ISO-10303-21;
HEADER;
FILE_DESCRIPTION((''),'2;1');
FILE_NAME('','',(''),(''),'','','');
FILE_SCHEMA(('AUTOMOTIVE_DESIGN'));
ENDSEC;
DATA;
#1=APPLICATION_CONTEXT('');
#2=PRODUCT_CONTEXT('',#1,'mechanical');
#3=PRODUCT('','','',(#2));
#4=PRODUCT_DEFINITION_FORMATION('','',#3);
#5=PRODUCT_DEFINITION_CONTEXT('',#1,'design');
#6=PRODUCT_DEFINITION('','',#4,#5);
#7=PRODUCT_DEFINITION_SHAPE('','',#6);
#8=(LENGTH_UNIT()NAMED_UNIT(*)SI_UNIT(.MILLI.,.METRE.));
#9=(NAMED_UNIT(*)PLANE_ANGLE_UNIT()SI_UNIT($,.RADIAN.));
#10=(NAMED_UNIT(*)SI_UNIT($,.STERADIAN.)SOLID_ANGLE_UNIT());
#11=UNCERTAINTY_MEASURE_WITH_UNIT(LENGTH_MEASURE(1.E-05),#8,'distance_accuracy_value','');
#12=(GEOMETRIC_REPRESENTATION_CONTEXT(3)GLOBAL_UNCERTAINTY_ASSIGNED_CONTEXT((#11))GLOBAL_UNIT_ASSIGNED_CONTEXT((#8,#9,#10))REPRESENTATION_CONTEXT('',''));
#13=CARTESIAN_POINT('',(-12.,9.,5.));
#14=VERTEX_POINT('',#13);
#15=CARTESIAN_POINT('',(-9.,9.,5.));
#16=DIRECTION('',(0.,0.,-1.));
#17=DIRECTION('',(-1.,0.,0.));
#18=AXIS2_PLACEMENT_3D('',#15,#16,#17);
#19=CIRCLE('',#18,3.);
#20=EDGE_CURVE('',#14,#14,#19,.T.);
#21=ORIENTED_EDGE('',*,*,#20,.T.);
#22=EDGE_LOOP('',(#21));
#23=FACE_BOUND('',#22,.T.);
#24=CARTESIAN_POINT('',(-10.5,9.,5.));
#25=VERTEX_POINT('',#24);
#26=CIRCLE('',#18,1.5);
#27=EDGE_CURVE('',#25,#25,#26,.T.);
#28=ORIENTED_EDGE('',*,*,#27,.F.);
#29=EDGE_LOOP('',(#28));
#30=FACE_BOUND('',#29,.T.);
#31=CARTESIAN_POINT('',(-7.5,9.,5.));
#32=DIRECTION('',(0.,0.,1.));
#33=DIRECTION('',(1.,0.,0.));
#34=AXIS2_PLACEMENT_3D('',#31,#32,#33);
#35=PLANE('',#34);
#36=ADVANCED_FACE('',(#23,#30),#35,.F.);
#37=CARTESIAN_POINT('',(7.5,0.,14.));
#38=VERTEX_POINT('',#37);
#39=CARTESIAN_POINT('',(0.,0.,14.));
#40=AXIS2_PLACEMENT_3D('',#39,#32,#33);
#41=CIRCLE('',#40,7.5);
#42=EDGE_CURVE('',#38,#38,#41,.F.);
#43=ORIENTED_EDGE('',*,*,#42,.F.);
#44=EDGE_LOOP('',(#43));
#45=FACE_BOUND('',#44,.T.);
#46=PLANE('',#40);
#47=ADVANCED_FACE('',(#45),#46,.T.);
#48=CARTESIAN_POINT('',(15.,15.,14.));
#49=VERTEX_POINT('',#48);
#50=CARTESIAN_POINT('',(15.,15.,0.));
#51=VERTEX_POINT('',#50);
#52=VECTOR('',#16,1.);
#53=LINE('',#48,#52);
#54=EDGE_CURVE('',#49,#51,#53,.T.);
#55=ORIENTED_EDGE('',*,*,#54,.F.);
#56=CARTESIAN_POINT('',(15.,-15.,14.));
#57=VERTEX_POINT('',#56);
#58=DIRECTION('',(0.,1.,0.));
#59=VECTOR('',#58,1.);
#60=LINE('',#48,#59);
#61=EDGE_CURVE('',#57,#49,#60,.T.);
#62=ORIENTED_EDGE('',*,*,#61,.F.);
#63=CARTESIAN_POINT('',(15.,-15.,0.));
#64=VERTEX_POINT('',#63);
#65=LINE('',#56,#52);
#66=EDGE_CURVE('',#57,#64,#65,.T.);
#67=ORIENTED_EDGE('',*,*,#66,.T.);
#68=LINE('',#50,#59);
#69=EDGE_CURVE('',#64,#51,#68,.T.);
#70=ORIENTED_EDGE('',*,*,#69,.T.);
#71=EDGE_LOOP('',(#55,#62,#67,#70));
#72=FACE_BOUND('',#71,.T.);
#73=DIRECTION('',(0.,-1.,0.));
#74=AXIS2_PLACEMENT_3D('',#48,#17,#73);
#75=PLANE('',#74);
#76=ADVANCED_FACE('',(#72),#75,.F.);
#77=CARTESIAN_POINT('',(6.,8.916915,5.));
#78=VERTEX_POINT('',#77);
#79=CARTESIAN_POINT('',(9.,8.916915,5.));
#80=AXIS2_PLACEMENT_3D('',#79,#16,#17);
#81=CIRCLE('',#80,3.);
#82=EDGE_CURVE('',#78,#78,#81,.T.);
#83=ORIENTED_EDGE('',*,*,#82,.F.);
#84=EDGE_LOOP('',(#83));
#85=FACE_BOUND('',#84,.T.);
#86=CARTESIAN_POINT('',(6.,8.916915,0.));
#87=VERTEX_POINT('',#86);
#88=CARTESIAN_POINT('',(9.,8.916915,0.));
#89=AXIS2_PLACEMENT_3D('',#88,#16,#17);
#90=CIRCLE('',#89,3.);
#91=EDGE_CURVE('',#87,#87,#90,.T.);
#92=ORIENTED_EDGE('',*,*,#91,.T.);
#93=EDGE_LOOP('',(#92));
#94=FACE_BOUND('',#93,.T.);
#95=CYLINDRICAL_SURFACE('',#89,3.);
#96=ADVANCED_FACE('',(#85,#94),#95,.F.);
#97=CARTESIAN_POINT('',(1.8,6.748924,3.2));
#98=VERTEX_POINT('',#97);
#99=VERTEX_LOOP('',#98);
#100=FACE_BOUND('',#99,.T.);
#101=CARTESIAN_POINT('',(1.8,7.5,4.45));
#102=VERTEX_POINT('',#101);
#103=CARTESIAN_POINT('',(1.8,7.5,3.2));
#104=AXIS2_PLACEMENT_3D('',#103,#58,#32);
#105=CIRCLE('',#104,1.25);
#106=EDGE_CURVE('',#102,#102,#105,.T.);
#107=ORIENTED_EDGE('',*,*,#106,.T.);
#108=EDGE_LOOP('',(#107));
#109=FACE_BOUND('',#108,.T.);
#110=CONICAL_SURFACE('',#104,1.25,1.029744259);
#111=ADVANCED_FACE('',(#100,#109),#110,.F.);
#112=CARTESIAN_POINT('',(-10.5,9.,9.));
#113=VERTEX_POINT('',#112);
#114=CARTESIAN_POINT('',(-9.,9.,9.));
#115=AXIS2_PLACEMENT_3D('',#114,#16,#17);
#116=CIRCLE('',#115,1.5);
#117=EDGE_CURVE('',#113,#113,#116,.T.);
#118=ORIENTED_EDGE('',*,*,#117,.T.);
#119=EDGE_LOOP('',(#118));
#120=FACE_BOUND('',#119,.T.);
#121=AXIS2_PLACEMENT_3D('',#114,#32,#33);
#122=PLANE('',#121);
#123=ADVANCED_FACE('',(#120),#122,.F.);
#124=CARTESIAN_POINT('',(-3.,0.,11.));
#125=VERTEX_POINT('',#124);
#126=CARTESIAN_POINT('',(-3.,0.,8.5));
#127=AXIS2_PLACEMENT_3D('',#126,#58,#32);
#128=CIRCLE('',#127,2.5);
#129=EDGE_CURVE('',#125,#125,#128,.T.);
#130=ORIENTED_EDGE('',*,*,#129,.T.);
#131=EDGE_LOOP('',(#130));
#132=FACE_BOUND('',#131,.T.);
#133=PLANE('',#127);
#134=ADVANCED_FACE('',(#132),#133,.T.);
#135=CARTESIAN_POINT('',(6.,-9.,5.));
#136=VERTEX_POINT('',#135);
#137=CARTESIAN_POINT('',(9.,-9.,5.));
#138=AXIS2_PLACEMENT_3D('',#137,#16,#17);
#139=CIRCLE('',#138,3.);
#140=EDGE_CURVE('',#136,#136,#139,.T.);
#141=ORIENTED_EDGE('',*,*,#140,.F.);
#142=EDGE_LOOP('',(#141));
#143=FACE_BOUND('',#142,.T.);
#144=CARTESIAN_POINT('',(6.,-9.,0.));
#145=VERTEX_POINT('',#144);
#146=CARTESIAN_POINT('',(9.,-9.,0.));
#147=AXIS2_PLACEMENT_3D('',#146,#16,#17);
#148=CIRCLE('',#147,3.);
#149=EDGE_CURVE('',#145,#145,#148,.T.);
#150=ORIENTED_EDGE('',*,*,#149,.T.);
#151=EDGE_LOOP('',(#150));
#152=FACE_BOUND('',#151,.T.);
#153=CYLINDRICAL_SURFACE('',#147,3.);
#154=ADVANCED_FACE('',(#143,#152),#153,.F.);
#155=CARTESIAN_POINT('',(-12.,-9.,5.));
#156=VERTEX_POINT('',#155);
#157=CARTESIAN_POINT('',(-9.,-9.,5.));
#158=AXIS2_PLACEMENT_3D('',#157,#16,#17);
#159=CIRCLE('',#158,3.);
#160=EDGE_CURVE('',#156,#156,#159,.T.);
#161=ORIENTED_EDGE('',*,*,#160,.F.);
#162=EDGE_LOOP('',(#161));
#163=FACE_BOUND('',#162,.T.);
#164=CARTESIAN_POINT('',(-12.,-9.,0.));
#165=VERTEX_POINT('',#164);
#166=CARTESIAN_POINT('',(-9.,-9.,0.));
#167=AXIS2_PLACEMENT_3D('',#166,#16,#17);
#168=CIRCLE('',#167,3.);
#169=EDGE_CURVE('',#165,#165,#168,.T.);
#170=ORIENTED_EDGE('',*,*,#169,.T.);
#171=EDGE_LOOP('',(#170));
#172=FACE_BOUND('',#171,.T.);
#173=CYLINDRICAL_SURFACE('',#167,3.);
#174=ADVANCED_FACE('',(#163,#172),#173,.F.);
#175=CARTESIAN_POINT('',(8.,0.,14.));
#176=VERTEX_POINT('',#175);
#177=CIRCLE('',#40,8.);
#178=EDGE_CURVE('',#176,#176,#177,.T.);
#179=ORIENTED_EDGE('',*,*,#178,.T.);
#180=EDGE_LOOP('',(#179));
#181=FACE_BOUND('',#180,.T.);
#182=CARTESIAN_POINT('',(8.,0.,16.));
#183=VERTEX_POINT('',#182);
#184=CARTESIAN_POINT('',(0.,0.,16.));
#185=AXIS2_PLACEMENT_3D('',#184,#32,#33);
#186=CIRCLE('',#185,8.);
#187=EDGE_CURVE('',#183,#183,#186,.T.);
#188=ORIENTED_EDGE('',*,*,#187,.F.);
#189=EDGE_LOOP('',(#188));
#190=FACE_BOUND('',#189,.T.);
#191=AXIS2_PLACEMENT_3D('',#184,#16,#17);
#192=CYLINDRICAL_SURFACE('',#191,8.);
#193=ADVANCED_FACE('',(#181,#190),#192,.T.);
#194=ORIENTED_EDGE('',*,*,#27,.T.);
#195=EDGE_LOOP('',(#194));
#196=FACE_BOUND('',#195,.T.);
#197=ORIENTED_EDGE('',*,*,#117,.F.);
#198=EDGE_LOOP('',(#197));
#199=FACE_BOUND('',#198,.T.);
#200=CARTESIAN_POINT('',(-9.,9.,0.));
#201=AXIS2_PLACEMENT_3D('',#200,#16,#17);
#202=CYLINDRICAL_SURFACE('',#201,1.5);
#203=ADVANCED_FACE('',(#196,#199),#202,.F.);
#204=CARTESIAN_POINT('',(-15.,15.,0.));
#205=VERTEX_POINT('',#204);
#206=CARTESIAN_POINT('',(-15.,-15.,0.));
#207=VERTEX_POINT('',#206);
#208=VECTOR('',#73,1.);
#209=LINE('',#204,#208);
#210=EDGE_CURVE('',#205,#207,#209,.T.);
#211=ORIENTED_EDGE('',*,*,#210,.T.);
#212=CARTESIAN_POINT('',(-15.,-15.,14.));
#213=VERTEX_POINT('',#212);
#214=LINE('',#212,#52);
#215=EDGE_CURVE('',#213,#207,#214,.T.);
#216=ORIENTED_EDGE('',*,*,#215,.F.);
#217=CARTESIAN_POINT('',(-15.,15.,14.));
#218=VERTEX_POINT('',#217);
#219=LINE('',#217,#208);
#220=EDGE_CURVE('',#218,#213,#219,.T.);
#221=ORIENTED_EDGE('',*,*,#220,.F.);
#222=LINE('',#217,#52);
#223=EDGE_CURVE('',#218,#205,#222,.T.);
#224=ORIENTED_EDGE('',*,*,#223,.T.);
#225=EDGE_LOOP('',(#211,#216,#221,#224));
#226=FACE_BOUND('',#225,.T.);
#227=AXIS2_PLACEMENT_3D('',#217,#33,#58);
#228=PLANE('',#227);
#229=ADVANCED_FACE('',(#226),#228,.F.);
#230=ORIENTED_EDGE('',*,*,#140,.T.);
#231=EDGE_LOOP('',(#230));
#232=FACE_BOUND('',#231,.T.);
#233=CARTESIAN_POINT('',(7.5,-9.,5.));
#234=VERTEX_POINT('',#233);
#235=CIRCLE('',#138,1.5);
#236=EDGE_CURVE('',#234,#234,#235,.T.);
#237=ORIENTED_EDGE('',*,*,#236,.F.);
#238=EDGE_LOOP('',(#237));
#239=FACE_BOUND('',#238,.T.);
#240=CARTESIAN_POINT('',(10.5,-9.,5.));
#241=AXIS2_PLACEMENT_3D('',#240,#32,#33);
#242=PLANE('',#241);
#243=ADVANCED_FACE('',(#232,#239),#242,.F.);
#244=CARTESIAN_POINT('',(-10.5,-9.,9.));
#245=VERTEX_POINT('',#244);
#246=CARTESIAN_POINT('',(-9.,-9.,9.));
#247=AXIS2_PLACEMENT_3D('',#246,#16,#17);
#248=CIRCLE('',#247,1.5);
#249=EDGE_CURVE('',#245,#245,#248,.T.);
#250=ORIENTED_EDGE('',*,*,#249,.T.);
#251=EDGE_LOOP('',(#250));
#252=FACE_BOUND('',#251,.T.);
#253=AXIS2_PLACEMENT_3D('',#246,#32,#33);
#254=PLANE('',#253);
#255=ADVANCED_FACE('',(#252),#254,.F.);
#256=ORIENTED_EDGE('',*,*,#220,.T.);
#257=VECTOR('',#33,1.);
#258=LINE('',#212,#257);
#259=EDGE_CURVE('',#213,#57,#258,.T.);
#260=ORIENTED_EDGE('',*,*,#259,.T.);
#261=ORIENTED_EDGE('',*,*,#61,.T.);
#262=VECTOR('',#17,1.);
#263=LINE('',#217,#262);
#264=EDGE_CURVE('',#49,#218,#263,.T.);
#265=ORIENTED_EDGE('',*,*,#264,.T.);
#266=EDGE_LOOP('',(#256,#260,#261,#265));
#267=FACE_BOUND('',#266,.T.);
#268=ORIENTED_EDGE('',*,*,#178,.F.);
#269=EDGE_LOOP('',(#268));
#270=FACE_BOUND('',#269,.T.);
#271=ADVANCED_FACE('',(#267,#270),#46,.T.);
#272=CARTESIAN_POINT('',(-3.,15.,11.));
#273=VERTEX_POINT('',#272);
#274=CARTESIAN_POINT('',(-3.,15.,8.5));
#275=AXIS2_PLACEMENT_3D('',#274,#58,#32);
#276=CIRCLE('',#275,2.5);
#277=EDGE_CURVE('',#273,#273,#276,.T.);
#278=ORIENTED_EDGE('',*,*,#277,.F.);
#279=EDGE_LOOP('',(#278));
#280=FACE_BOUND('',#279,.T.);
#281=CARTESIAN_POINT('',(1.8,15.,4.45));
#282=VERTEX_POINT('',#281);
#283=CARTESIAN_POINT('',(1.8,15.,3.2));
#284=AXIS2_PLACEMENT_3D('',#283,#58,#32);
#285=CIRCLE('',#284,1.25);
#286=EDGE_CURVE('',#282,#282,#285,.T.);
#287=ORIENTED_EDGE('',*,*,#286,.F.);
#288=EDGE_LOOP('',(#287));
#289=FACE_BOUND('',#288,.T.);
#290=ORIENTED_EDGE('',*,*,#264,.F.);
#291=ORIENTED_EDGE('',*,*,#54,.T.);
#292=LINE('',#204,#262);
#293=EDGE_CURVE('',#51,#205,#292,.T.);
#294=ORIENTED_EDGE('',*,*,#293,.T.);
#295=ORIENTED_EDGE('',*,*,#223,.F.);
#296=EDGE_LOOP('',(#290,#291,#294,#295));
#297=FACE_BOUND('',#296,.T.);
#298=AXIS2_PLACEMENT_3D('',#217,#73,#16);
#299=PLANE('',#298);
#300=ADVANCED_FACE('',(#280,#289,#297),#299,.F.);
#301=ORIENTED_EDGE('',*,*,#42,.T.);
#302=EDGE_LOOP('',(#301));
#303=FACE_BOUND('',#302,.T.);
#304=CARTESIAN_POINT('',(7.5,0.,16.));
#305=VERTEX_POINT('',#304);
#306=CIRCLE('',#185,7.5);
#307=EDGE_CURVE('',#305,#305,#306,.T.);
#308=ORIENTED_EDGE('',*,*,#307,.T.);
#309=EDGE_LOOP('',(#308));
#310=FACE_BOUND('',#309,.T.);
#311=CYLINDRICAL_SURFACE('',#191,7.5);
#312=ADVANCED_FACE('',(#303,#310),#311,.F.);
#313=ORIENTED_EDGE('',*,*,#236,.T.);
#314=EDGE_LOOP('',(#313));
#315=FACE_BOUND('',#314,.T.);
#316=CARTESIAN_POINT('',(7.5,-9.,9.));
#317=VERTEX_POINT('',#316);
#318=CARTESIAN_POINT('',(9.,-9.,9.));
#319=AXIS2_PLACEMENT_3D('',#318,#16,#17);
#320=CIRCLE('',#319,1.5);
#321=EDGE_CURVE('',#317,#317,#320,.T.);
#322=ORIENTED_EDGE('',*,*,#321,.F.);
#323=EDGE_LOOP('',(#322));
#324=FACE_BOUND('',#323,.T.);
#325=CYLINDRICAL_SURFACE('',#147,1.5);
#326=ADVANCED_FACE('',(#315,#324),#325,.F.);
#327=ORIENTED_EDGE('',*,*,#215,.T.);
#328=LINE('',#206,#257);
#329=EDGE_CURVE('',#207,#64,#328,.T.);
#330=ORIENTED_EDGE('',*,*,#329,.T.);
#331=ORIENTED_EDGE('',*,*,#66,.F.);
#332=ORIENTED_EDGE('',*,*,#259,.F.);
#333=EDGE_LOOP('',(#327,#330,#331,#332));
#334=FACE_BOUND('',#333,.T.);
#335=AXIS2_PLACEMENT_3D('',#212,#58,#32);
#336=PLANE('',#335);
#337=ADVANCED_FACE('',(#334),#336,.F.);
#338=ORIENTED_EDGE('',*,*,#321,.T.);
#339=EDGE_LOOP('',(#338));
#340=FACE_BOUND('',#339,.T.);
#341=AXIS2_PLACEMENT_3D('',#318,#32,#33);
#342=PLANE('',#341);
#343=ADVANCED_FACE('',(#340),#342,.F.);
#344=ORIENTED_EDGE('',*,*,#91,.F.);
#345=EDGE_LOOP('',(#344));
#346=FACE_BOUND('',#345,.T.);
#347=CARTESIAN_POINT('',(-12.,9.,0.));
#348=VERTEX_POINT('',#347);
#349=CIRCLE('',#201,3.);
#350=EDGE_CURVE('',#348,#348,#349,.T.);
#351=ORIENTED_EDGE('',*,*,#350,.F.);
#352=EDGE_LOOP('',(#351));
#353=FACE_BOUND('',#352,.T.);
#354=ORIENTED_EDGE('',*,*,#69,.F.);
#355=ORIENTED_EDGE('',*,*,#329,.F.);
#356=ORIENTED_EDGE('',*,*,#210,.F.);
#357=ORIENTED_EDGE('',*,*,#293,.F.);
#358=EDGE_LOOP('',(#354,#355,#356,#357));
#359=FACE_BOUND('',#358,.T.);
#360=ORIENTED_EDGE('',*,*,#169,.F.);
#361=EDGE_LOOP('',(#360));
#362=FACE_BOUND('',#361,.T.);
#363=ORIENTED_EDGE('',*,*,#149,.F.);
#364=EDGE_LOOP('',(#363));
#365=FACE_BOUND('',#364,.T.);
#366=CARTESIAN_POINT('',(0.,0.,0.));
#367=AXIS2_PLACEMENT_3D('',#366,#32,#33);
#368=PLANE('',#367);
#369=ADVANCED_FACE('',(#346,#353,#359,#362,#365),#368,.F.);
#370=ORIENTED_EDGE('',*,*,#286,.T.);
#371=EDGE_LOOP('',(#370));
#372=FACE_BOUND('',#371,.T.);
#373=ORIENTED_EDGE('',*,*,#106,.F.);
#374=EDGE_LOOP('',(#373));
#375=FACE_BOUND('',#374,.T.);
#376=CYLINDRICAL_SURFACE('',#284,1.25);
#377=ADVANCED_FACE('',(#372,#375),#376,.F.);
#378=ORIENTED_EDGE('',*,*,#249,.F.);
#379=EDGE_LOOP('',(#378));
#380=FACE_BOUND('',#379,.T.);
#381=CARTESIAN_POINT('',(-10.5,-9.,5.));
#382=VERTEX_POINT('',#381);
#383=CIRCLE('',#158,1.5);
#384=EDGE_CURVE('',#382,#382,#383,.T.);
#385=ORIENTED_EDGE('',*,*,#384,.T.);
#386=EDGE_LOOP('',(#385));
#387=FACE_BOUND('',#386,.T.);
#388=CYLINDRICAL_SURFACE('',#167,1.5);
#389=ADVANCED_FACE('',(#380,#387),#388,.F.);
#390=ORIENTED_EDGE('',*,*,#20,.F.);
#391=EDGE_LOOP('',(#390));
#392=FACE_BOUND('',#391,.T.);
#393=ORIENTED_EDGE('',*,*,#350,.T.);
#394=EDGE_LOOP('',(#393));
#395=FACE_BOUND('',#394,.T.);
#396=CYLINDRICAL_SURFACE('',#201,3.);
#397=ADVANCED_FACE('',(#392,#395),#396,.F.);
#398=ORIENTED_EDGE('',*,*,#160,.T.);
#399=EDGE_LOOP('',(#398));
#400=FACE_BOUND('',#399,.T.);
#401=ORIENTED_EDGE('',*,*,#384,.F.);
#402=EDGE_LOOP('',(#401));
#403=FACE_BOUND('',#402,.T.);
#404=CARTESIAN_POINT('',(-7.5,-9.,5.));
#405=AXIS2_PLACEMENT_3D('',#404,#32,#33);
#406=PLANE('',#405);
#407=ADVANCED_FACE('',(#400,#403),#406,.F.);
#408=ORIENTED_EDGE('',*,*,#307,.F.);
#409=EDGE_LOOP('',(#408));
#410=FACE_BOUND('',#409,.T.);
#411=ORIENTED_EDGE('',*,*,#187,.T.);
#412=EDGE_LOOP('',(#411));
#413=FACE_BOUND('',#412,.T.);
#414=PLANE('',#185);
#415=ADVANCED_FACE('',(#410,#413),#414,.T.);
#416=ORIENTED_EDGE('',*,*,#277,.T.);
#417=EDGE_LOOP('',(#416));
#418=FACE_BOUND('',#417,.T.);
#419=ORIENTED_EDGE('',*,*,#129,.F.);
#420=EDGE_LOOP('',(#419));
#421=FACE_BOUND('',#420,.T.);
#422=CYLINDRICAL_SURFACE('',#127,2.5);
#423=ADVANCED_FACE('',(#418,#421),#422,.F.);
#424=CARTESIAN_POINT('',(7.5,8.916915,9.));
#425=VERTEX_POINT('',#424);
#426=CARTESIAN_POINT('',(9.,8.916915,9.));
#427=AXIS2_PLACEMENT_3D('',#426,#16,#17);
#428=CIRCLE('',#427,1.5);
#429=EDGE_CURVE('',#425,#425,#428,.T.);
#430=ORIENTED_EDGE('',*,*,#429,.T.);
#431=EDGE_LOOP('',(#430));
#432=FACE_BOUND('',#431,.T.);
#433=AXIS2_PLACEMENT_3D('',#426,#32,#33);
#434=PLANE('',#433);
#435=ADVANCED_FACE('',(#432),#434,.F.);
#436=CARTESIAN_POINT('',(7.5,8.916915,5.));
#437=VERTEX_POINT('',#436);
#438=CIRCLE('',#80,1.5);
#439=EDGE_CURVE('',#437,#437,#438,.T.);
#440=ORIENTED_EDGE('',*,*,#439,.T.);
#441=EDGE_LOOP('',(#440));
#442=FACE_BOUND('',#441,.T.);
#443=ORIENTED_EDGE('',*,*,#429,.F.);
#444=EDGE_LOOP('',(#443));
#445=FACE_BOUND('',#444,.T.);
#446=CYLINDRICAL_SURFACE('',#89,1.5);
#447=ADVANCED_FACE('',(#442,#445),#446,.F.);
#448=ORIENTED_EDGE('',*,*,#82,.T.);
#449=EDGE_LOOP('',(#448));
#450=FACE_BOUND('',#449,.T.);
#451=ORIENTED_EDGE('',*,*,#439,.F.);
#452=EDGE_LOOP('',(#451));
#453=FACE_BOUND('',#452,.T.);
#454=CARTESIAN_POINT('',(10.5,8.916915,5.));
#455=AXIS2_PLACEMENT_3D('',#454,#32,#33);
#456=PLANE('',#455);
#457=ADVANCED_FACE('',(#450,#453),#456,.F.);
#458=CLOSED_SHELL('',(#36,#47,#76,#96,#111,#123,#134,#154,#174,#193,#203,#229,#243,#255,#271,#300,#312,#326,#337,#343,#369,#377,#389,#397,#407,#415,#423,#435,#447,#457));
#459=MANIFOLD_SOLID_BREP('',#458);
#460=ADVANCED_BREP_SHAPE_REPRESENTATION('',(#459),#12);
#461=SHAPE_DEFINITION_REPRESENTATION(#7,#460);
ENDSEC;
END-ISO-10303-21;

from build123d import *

# Parameters (mm, degrees)
SKETCH_1_W                = 30
SKETCH_1_H                = 30
EXTRUDE_1_DEPTH           = 14
SKETCH_2_R                = 8
SKETCH_2_R_2              = 7.5
EXTRUDE_2_DEPTH           = 2
SKETCH_3_R                = 2.5
CUT_EXTRUDE_1_DEPTH       = 15
HOLE_WIZARD_M3_1_D        = 2.5
HOLE_WIZARD_M3_1_DEPTH    = 7.5
HOLE_WIZARD_M3_1_TIP      = 0.751075774
HOLE_WIZARD_1_D           = 3
HOLE_WIZARD_1_DEPTH       = 9
HOLE_WIZARD_1_CBORE_D     = 6
HOLE_WIZARD_1_CBORE_DEPTH = 5


with BuildPart() as part:
    # 草图1 → 凸台-拉伸1 (new body)
    with BuildSketch(Plane.XY):
        Rectangle(SKETCH_1_W, SKETCH_1_H)
    extrude(amount=EXTRUDE_1_DEPTH)

    # 草图2 → 凸台-拉伸2 (add)
    with BuildSketch(Plane.XY.offset(14)):
        Circle(SKETCH_2_R)
        Circle(SKETCH_2_R_2, mode=Mode.SUBTRACT)
    extrude(amount=EXTRUDE_2_DEPTH)

    # 草图3 → 切除-拉伸1 (cut)
    with BuildSketch(Plane(origin=(0, 15, 0), x_dir=(1, 0, 0), z_dir=(0, 1, 0))):
        with Locations(Location((-3, -8.5, 0), (0, 0, 270))):
            Circle(SKETCH_3_R)
    extrude(amount=-CUT_EXTRUDE_1_DEPTH, mode=Mode.SUBTRACT)

    # M3 螺纹孔1
    with Locations(Plane(origin=(1.8, 15, 3.2), x_dir=(0, 0, 1), z_dir=(0, 1, 0))):
        with Locations((0, 0)):
            Hole(HOLE_WIZARD_M3_1_D / 2, depth=HOLE_WIZARD_M3_1_DEPTH)
            with Locations((0, 0, -(HOLE_WIZARD_M3_1_DEPTH + HOLE_WIZARD_M3_1_TIP / 2))):  # 118° drill point
                Cone(0, HOLE_WIZARD_M3_1_D / 2, HOLE_WIZARD_M3_1_TIP, mode=Mode.SUBTRACT)

    # 孔1
    with Locations(Plane(origin=(9, 8.916915074, 0), x_dir=(-1, 0, 0), z_dir=(0, 0, -1))):
        with Locations((0, 0), (18, 0.083084926), (18, -17.916915074), (0, -17.916915074)):
            CounterBoreHole(HOLE_WIZARD_1_D / 2, HOLE_WIZARD_1_CBORE_D / 2, HOLE_WIZARD_1_CBORE_DEPTH, depth=HOLE_WIZARD_1_DEPTH)


solid = part.part
